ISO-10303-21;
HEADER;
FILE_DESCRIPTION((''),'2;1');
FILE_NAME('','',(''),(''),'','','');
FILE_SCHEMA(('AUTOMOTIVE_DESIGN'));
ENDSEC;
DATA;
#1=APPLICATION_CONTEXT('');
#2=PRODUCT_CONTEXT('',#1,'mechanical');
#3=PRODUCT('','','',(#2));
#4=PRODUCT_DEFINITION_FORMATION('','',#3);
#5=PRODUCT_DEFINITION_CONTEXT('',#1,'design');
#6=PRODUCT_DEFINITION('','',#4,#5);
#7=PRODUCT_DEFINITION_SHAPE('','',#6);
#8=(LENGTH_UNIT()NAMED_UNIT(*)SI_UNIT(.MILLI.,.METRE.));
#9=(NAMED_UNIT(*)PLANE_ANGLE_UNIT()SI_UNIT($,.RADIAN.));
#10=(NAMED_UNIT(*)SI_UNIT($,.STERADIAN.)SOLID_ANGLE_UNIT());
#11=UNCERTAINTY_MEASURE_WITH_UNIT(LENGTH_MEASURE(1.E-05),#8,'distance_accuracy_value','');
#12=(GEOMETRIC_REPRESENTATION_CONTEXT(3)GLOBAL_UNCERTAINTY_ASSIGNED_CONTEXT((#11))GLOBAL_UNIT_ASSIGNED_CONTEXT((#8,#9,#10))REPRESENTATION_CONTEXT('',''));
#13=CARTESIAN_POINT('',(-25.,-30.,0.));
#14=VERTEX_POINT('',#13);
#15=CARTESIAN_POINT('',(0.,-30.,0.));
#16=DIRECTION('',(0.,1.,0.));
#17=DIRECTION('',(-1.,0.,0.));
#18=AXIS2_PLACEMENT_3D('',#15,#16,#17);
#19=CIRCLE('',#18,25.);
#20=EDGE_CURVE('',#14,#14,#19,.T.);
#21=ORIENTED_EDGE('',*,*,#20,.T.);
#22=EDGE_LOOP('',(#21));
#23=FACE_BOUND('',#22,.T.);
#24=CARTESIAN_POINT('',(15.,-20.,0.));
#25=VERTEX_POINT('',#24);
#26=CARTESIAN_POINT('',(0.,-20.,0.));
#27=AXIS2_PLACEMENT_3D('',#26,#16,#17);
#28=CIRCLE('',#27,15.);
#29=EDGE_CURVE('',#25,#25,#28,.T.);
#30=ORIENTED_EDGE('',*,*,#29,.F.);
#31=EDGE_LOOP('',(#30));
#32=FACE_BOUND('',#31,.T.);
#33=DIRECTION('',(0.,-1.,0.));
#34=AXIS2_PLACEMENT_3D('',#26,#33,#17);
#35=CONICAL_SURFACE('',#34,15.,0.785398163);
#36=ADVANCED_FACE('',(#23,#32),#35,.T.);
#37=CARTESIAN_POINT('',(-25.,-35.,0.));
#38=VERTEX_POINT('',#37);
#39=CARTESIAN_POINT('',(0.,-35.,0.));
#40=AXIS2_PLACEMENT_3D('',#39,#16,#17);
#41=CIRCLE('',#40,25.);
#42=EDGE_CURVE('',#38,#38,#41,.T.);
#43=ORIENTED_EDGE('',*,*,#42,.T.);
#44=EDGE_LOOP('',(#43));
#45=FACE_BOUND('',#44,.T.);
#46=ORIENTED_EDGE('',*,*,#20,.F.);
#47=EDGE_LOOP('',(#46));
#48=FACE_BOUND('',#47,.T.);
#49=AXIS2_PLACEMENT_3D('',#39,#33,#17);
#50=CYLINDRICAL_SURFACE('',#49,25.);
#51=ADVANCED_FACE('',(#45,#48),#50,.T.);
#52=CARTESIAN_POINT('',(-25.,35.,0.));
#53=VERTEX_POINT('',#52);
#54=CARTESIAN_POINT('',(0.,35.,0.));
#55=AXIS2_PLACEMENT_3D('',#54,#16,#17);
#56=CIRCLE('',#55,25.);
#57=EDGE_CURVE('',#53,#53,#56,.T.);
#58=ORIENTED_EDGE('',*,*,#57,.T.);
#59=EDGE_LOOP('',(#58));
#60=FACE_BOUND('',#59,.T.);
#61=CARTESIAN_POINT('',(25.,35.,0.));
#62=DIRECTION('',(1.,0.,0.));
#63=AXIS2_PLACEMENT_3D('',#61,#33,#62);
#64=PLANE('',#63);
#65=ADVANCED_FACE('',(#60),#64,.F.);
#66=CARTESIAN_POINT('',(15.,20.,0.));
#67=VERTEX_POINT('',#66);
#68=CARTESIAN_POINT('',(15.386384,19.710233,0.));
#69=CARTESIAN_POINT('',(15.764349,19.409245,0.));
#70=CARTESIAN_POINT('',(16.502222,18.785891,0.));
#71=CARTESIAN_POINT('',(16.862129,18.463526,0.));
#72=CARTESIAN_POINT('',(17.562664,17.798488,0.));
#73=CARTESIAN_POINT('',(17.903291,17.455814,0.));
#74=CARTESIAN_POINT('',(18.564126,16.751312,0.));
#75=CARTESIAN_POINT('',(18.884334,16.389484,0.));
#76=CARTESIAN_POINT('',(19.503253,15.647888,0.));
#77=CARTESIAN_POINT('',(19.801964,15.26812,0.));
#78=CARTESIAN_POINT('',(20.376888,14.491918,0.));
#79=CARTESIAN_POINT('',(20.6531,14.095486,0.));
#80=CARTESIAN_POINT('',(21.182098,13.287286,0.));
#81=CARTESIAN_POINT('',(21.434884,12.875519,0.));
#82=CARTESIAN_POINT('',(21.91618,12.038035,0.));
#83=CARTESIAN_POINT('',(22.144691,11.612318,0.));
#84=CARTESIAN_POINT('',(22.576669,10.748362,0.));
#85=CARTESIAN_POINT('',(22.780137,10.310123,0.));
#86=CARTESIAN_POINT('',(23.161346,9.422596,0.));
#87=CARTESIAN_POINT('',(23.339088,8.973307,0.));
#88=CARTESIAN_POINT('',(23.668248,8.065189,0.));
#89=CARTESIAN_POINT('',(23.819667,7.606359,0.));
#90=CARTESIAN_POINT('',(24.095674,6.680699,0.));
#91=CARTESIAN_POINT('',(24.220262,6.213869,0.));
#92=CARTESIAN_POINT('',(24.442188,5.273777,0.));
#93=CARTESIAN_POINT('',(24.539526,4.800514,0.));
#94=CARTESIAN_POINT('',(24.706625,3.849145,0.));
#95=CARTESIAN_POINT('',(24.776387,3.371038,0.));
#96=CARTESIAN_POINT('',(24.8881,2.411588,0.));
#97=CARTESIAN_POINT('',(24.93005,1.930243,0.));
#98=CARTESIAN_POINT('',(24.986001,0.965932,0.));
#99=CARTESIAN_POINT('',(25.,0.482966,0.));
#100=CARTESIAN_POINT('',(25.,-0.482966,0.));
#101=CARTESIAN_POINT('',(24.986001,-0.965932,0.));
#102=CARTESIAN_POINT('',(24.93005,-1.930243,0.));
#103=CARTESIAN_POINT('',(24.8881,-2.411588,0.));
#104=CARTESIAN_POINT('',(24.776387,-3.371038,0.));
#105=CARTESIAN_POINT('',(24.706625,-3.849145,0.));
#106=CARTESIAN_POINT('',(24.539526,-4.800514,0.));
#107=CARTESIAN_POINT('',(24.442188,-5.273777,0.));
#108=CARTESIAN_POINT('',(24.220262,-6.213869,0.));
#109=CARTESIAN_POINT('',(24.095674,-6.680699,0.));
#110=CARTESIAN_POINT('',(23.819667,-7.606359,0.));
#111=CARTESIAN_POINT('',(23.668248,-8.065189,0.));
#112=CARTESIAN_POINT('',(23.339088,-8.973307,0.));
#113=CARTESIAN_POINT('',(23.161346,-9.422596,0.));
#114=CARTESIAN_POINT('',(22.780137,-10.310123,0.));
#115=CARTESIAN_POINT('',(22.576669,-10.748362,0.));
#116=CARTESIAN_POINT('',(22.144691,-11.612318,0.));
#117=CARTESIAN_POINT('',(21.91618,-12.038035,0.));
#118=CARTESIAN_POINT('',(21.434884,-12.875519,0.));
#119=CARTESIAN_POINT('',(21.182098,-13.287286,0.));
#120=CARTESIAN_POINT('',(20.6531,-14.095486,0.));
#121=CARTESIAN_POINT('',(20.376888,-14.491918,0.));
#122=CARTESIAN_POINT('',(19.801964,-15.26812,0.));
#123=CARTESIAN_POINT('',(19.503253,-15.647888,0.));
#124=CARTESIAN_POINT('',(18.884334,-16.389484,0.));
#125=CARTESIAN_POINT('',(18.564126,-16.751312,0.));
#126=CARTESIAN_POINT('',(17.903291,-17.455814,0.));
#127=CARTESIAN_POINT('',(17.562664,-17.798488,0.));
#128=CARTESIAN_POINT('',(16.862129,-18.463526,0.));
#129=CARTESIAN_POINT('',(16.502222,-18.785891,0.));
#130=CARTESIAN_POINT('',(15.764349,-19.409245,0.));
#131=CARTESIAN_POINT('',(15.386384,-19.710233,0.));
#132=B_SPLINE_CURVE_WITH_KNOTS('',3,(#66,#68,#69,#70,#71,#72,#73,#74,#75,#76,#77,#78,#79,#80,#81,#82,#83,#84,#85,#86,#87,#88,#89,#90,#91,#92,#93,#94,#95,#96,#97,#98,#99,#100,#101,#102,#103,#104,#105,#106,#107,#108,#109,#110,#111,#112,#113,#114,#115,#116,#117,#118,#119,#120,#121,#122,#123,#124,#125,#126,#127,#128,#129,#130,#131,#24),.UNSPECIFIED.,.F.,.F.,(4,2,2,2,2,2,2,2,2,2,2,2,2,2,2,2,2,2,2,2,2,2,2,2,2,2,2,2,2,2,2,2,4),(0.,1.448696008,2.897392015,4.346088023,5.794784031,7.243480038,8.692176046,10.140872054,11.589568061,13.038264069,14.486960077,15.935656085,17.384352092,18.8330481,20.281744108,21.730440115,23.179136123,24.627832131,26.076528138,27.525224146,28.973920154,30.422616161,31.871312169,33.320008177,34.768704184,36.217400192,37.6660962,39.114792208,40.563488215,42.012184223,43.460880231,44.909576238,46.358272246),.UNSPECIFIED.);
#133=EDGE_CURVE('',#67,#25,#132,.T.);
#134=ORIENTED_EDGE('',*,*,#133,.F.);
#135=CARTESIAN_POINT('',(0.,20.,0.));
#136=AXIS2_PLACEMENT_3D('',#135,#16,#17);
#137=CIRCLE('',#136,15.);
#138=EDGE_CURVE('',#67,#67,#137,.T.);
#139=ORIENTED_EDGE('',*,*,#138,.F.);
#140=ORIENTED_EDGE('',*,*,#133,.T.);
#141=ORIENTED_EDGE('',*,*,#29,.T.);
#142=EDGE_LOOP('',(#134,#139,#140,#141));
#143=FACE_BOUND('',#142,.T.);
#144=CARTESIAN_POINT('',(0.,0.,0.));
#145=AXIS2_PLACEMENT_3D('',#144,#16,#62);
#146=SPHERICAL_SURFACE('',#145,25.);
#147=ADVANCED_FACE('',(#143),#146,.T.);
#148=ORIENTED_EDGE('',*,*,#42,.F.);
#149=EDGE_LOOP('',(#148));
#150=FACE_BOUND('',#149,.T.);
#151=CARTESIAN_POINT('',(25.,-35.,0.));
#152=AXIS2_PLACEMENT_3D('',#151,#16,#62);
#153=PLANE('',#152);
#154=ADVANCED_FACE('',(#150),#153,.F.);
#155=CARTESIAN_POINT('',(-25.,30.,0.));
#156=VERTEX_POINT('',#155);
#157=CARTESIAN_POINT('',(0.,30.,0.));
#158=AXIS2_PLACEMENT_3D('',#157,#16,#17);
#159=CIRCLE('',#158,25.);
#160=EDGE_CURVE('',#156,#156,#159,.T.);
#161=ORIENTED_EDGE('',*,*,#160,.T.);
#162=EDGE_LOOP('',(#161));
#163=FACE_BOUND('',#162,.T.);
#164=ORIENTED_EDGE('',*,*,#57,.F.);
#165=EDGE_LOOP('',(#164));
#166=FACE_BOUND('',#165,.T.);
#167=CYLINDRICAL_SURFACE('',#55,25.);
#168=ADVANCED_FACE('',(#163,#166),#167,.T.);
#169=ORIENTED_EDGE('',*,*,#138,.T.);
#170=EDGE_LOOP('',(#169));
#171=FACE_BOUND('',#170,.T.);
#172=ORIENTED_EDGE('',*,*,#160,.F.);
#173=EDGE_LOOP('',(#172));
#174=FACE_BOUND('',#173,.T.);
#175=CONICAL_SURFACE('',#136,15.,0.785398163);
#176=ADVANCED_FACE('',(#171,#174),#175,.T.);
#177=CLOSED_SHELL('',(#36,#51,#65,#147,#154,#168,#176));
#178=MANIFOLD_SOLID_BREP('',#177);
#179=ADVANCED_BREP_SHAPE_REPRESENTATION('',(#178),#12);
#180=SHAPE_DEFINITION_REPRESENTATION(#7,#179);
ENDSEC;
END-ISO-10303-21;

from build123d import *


with BuildPart() as part:
    # 草图1 → 旋转2 (revolve)
    with BuildSketch(Plane.XY):
        with BuildLine():
            Line((0, 20), (0, -20))
            Line((0, -20), (15, -20))
            ThreePointArc((15, -20), (25, 0), (15, 20))
            Line((15, 20), (0, 20))
        make_face()
    revolve(axis=Axis((0, 20, 0), (0, -1, 0)))

    # 草图2 → 旋转3 (revolve)
    with BuildSketch(Plane.XY, mode=Mode.PRIVATE) as revolve_3_sk:
        Polygon((0, 20), (15, 20), (25, 30), (25, 35), (0, 35), align=None)
    revolve_3 = revolve(revolve_3_sk.sketch.rotate(Axis((0, 35, 0), (0, -1, 0)), 180), axis=Axis((0, 35, 0), (0, -1, 0)))

    # 镜向1: 旋转3 across plane
    add(revolve_3.mirror(Plane.ZX))


solid = part.part
